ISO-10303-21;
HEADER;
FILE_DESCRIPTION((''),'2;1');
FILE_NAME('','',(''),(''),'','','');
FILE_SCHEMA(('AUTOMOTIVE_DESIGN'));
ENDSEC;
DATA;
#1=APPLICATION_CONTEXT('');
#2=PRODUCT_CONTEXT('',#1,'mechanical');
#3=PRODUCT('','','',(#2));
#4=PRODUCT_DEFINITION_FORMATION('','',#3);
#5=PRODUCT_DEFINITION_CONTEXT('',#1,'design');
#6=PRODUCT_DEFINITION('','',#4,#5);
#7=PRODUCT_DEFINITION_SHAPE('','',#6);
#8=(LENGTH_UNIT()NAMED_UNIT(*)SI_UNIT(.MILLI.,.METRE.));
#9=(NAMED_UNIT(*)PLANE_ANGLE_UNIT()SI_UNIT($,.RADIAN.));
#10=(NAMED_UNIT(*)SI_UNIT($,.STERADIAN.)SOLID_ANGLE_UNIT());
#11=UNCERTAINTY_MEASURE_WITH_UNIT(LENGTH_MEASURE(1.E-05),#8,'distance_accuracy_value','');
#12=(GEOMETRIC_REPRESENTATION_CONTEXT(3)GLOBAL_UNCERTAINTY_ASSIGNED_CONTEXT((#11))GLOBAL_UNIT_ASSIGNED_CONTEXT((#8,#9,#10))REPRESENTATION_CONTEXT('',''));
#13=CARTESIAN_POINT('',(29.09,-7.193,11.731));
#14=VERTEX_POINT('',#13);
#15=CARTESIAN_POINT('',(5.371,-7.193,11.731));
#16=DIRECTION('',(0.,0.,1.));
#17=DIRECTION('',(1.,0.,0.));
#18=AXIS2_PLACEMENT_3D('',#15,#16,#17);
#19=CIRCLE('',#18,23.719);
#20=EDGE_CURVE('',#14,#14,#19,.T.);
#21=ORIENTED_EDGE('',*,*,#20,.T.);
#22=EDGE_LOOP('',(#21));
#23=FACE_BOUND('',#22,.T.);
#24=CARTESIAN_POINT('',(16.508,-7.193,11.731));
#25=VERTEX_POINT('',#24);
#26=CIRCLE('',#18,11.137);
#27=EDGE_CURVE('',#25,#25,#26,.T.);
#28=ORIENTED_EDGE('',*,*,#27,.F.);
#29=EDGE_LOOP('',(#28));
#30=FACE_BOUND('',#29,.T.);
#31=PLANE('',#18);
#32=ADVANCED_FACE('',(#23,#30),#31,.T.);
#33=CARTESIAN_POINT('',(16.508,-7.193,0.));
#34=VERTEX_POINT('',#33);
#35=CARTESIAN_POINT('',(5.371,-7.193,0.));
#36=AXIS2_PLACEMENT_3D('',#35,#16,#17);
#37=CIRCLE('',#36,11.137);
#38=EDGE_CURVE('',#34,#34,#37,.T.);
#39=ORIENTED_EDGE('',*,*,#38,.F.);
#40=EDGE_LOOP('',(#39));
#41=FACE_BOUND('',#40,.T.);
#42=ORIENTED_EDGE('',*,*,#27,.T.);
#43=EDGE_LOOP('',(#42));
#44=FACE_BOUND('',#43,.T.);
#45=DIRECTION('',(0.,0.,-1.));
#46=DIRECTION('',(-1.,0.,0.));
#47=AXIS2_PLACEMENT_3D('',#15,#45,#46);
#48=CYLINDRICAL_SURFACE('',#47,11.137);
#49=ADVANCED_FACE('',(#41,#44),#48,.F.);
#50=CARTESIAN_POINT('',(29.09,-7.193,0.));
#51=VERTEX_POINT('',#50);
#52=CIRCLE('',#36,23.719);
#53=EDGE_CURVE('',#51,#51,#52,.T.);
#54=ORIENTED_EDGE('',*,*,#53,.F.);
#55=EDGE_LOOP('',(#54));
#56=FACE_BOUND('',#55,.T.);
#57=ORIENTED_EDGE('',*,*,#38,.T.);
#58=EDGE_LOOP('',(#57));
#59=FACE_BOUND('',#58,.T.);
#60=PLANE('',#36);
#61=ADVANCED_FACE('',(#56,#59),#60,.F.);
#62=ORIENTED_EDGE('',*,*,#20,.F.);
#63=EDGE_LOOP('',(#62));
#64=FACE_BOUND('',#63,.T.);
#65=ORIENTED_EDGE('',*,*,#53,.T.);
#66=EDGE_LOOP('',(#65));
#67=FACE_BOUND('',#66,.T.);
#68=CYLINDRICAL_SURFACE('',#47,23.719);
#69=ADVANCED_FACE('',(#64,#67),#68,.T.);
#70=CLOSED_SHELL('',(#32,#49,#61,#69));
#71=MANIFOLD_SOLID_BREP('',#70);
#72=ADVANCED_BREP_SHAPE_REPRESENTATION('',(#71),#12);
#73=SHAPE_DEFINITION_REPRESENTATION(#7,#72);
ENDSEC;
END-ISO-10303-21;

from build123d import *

# Parameters (mm, degrees)
CURVESKETCH_R   = 23.719
CURVESKETCH_R_2 = 11.137
CURVEBOSS_DEPTH = 11.731


with BuildPart() as part:
    # CurveSketch → CurveBoss (new body)
    with BuildSketch(Plane.XY):
        with Locations((5.371, -7.193)):
            Circle(CURVESKETCH_R)
        with Locations((5.371, -7.193)):
            Circle(CURVESKETCH_R_2, mode=Mode.SUBTRACT)
    extrude(amount=CURVEBOSS_DEPTH)


solid = part.part
